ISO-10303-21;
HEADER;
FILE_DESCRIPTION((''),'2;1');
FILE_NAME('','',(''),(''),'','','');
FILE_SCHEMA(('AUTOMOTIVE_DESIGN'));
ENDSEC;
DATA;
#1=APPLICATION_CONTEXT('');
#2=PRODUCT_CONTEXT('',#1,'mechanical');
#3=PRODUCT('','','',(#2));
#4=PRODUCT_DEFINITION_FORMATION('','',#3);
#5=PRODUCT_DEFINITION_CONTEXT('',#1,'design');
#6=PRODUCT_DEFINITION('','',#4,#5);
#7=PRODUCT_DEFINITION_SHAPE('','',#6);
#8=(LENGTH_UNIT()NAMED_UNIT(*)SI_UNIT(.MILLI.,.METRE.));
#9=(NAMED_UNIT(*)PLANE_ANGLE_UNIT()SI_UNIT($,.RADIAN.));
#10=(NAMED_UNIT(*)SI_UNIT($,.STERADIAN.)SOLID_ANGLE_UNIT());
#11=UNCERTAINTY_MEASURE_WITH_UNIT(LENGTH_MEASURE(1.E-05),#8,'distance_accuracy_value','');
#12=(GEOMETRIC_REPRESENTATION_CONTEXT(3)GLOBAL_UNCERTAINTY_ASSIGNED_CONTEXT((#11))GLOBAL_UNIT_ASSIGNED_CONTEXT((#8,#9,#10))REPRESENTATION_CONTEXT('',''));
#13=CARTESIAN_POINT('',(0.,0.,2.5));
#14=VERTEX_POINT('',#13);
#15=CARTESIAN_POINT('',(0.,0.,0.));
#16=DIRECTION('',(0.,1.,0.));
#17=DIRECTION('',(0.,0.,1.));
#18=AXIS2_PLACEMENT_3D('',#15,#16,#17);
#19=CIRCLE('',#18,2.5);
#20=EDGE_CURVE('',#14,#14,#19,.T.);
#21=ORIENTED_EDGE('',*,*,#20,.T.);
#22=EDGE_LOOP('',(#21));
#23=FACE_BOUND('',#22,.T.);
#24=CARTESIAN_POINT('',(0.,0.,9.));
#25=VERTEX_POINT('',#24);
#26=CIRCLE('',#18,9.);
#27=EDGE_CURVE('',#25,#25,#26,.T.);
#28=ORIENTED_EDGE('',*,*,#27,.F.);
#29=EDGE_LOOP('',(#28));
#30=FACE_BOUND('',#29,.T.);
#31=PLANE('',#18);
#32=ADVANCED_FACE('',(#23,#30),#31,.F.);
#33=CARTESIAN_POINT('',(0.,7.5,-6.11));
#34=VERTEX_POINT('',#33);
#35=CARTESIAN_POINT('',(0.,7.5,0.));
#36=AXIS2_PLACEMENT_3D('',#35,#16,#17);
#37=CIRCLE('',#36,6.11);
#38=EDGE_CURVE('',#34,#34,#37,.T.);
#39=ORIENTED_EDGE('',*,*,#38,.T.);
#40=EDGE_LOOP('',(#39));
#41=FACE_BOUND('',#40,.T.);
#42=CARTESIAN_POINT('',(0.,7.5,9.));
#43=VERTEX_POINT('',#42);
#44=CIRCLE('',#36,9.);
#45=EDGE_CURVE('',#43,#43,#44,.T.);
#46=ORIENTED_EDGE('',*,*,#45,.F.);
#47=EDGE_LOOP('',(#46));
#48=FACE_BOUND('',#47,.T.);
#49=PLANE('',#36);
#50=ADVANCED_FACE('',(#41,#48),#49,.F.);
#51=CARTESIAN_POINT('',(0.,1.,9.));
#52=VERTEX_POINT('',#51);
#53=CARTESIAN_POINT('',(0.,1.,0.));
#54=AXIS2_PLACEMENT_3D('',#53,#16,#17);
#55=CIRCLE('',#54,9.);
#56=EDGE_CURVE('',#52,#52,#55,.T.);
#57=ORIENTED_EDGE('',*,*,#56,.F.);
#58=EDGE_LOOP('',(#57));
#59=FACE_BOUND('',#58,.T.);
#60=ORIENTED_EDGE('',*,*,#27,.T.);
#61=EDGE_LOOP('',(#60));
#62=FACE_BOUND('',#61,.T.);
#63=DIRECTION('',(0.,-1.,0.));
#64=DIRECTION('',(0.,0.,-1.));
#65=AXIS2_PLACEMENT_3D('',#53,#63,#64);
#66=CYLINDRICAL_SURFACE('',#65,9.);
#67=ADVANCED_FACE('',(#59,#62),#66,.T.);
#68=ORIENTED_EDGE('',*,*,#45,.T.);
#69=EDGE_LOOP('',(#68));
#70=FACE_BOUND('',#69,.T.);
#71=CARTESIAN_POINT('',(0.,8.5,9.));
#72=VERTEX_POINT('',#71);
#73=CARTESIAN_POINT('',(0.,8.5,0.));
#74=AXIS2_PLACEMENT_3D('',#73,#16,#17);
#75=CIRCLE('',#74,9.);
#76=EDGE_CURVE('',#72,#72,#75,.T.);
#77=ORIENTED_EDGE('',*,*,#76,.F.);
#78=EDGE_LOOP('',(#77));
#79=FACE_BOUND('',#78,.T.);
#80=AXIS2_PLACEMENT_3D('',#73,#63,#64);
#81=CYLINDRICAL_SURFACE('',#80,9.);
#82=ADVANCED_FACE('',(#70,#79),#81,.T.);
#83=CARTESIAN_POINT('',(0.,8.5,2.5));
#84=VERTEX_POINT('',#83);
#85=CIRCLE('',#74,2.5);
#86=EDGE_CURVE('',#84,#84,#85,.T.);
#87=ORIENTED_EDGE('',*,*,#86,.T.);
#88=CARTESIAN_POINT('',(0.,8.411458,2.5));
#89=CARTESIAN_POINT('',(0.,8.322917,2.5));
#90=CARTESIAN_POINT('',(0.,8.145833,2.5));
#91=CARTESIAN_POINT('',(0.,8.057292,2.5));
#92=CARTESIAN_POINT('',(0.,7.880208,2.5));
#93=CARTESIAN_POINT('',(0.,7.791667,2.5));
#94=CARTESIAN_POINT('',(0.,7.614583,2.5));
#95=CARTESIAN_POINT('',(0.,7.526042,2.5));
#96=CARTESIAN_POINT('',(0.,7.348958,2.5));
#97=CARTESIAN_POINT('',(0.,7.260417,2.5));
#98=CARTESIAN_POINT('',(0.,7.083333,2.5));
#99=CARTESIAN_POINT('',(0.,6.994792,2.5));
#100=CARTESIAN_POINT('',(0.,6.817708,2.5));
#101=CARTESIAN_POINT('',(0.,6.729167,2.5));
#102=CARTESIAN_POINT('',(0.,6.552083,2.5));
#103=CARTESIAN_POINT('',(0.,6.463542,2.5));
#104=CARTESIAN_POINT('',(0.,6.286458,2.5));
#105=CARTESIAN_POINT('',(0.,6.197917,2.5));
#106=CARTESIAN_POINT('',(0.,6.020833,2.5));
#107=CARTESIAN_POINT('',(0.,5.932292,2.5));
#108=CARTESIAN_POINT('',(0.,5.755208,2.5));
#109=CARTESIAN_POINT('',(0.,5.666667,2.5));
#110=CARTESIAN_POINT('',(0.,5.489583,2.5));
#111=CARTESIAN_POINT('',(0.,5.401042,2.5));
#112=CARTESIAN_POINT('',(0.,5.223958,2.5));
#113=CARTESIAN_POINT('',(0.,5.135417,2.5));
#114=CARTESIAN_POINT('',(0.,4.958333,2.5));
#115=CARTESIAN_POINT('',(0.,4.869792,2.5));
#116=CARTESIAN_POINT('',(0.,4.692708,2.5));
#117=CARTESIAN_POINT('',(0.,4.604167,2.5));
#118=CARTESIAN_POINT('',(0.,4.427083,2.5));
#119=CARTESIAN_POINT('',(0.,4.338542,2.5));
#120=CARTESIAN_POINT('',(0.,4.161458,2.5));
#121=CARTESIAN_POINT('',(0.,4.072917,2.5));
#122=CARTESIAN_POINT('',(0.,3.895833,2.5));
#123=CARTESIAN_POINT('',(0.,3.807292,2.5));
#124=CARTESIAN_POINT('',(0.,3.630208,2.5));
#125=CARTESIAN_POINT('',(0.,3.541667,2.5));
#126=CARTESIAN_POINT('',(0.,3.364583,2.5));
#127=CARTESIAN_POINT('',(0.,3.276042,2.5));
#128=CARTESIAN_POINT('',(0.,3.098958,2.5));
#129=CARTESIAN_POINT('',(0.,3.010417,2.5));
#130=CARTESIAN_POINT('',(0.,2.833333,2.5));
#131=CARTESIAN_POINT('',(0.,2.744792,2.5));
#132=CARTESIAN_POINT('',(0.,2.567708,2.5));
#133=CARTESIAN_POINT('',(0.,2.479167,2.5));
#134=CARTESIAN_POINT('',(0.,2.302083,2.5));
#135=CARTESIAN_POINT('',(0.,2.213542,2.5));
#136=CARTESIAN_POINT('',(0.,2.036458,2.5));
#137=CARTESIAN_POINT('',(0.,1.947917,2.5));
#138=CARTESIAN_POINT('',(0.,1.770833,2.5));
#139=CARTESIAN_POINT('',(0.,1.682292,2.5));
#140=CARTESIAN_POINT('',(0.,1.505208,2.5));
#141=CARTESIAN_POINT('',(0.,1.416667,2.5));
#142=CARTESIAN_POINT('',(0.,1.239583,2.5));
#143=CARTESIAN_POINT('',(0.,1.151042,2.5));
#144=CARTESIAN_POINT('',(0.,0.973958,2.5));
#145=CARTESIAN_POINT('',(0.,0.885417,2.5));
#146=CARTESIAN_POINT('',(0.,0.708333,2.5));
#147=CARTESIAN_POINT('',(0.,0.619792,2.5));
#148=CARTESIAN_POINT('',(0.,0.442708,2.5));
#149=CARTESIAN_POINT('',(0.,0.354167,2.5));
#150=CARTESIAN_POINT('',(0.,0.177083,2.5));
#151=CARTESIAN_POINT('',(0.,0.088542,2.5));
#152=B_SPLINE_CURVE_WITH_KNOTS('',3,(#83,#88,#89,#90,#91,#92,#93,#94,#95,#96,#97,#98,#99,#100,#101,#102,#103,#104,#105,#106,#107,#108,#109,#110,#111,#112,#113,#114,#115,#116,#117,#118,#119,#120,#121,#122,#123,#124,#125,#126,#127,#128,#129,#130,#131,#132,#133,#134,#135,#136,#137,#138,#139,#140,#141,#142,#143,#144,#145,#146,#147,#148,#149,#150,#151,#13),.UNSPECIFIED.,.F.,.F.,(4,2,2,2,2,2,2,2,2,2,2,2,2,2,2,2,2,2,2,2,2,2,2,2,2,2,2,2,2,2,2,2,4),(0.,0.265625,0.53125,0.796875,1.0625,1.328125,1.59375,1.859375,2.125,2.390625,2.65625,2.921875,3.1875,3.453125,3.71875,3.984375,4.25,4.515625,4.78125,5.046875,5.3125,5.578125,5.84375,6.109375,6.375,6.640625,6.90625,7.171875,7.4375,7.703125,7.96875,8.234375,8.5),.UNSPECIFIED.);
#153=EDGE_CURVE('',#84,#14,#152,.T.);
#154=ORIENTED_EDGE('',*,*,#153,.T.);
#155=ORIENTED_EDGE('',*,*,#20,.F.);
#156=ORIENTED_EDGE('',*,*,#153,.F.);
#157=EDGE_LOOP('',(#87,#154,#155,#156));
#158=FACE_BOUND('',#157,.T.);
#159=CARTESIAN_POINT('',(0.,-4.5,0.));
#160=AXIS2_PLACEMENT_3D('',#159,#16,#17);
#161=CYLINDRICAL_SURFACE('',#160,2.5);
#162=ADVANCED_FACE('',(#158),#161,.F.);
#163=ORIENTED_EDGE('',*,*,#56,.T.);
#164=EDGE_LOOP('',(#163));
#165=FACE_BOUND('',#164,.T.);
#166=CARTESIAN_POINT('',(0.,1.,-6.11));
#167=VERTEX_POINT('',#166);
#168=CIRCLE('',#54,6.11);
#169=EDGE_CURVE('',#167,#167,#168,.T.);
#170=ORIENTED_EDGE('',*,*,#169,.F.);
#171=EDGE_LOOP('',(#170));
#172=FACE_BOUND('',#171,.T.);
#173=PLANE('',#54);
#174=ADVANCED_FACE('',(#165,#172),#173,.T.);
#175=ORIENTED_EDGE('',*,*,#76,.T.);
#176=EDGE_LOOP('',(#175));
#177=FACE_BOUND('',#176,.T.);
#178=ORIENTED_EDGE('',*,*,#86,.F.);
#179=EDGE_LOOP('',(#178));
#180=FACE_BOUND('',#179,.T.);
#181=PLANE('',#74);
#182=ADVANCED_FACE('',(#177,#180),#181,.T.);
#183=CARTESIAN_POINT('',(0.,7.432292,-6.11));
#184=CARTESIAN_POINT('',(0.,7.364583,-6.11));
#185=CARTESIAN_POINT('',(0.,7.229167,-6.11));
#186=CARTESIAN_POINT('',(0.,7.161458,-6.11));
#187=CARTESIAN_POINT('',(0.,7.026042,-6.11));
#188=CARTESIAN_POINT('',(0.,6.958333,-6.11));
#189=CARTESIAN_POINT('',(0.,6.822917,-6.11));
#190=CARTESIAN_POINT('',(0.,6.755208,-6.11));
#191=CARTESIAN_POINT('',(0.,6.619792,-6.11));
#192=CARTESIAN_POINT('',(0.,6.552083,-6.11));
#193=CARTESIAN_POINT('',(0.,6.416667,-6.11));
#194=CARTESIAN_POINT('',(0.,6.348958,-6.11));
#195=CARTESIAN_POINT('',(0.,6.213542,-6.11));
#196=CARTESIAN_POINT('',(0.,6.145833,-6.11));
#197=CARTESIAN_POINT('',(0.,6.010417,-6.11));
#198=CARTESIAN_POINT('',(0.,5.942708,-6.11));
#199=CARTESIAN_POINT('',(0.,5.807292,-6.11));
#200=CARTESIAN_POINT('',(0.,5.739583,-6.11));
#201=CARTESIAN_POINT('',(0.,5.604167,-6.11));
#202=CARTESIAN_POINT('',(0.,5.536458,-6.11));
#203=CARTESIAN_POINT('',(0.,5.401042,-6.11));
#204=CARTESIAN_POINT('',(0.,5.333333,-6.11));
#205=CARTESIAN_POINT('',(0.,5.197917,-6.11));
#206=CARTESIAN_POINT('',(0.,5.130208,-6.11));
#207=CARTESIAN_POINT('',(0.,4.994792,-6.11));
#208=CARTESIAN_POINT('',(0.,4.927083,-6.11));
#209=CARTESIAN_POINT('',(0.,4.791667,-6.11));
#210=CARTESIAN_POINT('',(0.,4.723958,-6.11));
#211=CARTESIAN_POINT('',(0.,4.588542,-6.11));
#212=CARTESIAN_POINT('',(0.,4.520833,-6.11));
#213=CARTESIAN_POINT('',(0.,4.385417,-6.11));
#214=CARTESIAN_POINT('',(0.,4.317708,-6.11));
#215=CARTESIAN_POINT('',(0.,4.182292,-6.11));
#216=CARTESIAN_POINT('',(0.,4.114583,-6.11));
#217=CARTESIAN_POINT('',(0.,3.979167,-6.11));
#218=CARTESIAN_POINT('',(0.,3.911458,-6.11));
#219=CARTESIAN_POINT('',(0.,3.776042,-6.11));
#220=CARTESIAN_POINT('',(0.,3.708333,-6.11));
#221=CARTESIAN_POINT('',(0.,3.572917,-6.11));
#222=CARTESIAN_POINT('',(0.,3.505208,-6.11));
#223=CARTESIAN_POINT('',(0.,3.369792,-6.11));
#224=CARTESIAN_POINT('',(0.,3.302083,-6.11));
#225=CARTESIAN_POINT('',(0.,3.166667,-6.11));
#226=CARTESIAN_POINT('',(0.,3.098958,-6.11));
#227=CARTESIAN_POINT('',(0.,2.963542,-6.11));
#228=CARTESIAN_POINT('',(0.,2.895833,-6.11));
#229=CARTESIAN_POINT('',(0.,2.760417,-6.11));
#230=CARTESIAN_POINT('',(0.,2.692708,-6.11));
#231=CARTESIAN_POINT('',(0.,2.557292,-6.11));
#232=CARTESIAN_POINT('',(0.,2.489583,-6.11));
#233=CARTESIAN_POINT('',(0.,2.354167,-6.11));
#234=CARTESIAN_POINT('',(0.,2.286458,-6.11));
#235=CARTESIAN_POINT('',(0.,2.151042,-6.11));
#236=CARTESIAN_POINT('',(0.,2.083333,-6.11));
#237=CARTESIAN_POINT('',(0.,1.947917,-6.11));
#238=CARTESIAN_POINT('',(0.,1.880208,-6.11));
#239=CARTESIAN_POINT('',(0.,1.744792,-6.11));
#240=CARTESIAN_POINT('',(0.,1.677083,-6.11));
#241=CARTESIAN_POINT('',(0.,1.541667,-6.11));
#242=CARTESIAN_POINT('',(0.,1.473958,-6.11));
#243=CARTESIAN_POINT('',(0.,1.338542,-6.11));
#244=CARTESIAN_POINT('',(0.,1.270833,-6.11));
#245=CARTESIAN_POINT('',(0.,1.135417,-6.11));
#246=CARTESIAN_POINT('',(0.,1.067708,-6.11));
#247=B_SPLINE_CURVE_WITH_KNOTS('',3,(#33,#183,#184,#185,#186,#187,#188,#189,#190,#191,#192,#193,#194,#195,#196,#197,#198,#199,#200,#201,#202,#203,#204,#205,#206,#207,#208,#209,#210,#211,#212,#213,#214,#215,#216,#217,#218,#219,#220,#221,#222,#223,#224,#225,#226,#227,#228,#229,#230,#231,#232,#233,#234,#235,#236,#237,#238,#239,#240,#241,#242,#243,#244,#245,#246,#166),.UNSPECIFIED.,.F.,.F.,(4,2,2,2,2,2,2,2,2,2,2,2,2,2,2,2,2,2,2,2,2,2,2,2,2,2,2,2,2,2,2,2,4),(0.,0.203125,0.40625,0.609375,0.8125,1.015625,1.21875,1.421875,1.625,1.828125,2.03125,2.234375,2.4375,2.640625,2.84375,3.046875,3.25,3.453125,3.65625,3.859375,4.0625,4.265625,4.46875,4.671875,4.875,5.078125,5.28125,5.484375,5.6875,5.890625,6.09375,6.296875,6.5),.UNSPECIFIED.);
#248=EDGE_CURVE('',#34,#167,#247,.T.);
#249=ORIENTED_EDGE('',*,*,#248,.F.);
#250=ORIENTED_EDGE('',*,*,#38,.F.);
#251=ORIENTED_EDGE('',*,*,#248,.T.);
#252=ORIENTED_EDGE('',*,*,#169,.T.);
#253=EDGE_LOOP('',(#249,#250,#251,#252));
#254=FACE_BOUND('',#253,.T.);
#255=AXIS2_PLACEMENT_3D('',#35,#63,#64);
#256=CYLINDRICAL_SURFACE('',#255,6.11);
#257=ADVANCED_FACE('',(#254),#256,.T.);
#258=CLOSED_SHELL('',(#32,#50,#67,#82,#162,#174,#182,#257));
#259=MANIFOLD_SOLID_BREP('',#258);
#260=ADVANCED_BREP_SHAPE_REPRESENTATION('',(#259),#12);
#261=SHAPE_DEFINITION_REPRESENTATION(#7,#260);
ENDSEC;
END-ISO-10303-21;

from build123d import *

# Parameters (mm, degrees)
SKETCH_1_R          = 9
EXTRUDE_1_DEPTH     = 1
SKETCH_2_R          = 6.11
EXTRUDE_2_DEPTH     = 6.5
SKETCH_3_R          = 9
EXTRUDE_3_DEPTH     = 1
SKETCH_4_R          = 2.5
CUT_EXTRUDE_1_DEPTH = 13


with BuildPart() as part:
    # 草图1 → 凸台-拉伸1 (new body)
    with BuildSketch(Plane(origin=(0, 0, 0), x_dir=(1, 0, 0), z_dir=(0, 1, 0))):
        with Locations(Location((0, 0, 0), (0, 0, 270))):
            Circle(SKETCH_1_R)
    extrude(amount=EXTRUDE_1_DEPTH)

    # 草图2 → 凸台-拉伸2 (add)
    with BuildSketch(Plane(origin=(0, 1, 0), x_dir=(1, 0, 0), z_dir=(0, 1, 0))):
        with Locations(Location((0, 0, 0), (0, 0, 90))):
            Circle(SKETCH_2_R)
    extrude(amount=EXTRUDE_2_DEPTH)

    # 草图3 → 凸台-拉伸3 (add)
    with BuildSketch(Plane(origin=(0, 7.5, 0), x_dir=(1, 0, 0), z_dir=(0, 1, 0))):
        with Locations(Location((0, 0, 0), (0, 0, 270))):
            Circle(SKETCH_3_R)
    extrude(amount=EXTRUDE_3_DEPTH)

    # 草图4 → 切除-拉伸1 (cut)
    with BuildSketch(Plane(origin=(0, 8.5, 0), x_dir=(1, 0, 0), z_dir=(0, 1, 0))):
        with Locations(Location((0, 0, 0), (0, 0, 270))):
            Circle(SKETCH_4_R)
    extrude(amount=-CUT_EXTRUDE_1_DEPTH, mode=Mode.SUBTRACT)


solid = part.part
